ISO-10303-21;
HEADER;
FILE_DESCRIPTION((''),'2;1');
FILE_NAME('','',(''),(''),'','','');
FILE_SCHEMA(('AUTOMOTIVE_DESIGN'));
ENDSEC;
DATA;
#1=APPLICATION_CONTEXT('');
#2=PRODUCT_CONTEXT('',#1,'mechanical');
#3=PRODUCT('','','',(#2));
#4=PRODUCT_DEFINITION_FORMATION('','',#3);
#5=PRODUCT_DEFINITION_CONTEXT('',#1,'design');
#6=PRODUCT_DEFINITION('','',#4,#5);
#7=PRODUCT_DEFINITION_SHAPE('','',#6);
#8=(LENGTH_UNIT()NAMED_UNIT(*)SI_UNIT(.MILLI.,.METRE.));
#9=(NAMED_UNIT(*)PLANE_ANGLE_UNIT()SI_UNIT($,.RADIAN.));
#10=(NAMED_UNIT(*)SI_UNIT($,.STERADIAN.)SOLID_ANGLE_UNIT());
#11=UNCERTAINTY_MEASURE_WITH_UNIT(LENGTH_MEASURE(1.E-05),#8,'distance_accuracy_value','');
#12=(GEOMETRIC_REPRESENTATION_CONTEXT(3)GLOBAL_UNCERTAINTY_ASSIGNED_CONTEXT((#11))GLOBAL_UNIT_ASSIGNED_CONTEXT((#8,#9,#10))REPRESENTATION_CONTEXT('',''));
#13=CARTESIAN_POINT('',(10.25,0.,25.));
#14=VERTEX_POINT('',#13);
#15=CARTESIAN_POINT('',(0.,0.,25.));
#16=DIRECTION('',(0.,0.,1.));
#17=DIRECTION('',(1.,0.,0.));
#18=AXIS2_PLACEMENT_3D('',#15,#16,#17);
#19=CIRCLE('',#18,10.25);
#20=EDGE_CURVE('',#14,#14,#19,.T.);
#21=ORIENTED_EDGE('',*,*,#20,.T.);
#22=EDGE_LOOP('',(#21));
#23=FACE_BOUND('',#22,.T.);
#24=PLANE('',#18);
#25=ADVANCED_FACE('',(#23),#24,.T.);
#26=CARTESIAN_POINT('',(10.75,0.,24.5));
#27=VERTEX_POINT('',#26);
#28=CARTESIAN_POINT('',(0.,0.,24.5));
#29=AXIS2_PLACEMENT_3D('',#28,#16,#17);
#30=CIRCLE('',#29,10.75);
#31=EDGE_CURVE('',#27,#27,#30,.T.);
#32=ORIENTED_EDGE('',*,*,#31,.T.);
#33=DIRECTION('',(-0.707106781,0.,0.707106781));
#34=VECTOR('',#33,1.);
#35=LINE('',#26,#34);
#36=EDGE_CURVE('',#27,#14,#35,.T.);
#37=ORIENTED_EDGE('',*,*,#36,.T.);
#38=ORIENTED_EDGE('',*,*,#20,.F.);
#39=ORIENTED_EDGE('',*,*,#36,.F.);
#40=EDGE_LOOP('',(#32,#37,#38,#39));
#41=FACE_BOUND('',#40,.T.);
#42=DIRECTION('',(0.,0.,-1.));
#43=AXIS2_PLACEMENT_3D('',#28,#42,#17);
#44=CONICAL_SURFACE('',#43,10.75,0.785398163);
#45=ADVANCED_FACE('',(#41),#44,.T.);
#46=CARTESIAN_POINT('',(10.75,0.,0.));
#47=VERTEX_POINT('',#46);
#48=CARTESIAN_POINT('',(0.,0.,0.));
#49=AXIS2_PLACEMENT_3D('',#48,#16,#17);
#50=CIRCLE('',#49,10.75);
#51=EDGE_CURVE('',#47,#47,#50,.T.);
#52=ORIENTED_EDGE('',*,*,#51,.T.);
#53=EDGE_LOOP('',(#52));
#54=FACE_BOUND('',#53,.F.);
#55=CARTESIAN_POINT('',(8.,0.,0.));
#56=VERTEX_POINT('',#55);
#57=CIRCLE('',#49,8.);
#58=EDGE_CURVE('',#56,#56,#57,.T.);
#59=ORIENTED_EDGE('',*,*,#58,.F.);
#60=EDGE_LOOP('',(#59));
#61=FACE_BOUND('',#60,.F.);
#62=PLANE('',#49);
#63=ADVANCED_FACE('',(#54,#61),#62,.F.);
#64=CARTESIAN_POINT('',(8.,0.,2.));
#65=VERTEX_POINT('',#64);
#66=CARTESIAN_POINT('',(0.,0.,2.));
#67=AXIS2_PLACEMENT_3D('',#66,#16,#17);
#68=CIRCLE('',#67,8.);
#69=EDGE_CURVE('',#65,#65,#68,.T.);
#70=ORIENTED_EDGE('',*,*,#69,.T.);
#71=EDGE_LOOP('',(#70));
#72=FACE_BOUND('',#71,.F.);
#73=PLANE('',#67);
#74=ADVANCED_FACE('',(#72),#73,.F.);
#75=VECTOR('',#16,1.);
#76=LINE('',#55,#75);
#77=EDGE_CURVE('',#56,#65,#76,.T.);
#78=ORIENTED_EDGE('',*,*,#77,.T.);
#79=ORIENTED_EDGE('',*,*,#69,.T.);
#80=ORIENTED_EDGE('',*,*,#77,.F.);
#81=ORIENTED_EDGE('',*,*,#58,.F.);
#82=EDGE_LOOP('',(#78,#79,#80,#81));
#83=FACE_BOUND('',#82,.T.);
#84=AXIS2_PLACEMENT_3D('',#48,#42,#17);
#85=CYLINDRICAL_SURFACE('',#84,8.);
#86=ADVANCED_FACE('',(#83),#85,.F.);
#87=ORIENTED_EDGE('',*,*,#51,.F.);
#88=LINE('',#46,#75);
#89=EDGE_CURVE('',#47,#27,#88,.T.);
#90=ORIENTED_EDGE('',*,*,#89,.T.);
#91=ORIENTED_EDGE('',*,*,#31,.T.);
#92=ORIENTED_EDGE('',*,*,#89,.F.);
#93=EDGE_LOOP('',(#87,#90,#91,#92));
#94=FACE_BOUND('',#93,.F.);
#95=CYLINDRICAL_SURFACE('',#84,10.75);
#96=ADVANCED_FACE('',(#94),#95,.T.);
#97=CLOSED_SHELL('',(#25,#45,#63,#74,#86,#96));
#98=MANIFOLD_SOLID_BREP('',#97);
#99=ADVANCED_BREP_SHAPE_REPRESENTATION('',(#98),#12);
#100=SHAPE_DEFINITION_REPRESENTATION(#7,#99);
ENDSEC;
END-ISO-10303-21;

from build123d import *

# Parameters (mm, degrees)
F0_R     = 10.75
F0_R_2   = 8
F1_DEPTH = 25
F2_DEPTH = 2
F3_SIZE  = 0.5


with BuildPart() as f1:
    # F0 (on Top) → F1 (new body)
    with BuildSketch(Plane.XY):
        Circle(F0_R)
        Circle(F0_R_2, mode=Mode.SUBTRACT)
        Circle(F0_R_2)
    extrude(amount=F1_DEPTH)

    # F0 (on Top) → F2 (cut)
    with BuildSketch(Plane.XY):
        Circle(F0_R_2)
    extrude(amount=F2_DEPTH, mode=Mode.SUBTRACT)

    # F3
    f3_edges = [f1.edges().sort_by_distance(p)[0] for p in [
        (-10.75, 0, 25),
    ]]
    chamfer(f3_edges, length=F3_SIZE)


solid = f1.part
